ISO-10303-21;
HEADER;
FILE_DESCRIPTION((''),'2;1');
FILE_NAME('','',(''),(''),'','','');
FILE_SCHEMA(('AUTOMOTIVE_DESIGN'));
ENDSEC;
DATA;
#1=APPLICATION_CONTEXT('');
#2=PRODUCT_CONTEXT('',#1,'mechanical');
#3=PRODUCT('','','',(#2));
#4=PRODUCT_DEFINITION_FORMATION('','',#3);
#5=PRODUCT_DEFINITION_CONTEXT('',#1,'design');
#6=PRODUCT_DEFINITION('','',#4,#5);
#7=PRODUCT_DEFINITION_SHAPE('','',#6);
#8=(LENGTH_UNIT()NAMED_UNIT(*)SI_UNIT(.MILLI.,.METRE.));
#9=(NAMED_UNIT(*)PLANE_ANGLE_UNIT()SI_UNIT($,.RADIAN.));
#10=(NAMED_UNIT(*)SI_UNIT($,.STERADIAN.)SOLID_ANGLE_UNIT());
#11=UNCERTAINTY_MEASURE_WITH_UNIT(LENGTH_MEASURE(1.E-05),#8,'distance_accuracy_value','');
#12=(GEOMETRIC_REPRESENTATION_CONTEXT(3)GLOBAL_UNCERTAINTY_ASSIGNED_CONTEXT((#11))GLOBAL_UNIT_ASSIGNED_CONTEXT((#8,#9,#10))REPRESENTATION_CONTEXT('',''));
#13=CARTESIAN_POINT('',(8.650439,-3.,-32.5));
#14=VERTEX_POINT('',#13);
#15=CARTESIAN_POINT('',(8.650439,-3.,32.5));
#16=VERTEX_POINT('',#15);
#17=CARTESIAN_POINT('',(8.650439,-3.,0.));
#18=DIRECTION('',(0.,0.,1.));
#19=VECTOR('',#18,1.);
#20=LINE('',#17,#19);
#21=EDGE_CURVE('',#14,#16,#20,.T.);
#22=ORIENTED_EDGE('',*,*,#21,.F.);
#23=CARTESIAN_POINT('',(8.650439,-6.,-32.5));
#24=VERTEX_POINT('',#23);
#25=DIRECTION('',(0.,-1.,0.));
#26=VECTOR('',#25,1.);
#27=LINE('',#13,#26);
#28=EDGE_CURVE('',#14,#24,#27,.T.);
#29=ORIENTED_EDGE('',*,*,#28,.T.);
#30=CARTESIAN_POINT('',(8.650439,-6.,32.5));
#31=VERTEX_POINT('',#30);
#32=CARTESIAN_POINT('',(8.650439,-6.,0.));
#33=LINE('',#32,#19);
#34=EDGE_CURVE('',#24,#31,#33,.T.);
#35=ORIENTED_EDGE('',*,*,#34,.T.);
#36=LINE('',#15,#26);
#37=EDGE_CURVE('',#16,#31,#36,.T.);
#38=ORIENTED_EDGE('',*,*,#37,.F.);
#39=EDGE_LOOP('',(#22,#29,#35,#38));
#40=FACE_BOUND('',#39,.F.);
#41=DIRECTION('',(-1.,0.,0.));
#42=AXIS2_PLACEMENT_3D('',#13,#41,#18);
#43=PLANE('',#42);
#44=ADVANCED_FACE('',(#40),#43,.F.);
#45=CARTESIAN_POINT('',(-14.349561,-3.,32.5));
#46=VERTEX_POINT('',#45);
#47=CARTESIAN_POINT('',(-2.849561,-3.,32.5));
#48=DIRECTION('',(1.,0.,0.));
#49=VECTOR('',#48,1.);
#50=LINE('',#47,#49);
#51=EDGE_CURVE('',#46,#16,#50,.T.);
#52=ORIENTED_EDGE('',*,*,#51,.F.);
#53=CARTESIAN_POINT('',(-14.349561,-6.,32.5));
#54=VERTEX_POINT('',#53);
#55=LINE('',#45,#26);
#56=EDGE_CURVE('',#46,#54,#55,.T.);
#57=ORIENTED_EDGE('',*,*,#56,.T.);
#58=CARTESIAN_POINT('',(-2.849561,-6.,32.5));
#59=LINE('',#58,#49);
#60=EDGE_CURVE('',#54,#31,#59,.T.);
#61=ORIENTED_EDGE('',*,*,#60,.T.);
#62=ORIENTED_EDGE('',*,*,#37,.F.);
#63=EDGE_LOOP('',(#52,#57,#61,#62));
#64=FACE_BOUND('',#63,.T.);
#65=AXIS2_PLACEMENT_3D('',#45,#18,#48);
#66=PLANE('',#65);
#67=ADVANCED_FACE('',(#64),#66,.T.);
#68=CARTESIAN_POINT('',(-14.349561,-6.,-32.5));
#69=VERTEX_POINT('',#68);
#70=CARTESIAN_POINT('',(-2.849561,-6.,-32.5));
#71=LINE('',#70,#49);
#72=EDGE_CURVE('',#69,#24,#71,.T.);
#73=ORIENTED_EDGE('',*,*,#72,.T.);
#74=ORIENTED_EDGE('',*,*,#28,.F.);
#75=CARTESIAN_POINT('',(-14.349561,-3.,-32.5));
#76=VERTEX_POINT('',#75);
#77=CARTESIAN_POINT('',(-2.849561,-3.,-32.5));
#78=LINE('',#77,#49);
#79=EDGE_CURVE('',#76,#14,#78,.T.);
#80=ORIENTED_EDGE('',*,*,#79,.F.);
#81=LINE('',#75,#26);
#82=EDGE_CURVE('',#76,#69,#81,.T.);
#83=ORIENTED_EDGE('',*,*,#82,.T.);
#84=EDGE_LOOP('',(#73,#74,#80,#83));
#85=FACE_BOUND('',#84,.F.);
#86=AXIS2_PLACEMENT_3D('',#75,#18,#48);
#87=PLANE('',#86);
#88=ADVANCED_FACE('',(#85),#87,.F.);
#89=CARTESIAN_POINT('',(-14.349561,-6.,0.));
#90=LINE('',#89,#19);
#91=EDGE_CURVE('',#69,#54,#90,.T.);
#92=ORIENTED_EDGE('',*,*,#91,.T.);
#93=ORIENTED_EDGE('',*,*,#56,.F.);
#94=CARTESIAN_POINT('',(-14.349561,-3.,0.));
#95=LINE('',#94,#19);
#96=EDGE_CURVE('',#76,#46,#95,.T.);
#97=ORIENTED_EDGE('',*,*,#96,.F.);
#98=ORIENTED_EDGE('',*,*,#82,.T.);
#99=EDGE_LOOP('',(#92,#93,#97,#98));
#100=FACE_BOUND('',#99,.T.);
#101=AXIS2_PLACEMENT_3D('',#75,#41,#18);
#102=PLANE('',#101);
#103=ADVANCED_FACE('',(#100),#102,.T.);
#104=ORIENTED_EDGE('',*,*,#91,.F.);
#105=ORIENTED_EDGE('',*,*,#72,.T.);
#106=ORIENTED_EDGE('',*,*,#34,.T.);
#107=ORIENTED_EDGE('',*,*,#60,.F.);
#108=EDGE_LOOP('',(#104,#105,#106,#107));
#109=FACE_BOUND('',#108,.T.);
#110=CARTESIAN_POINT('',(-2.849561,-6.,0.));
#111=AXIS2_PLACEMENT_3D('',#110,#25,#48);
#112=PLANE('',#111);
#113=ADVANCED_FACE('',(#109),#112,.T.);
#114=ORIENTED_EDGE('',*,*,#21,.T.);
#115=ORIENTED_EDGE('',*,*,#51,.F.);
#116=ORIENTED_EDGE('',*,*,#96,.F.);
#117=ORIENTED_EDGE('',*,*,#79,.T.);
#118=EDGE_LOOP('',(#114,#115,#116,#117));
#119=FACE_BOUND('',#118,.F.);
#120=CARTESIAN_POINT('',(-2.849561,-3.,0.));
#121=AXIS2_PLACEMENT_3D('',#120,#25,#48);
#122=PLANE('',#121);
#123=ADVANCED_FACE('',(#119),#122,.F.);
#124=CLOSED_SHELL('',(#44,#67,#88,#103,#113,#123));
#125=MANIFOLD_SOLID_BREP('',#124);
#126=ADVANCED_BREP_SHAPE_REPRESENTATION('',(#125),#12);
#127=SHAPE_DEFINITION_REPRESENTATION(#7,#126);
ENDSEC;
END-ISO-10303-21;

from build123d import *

# Parameters (mm, degrees)
F0_W      = 23
F0_H      = 17.5
F1_DEPTH  = 3
F2_W      = 23
F2_H      = 65
F3_DEPTH  = 3
F4_R      = 1.8275
F5_DEPTH  = 25
F4_R_2    = 1.5
F1_FACE_W = 23
F1_FACE_H = 65
F1_FACE_R = 1.8275
F6_DEPTH  = 25
F7_DEPTH  = 25


with BuildPart() as f1:
    # F0 (on Front) → F1 (new body)
    with BuildSketch(Plane.XZ):
        Polygon((-41.005974159, 32.5), (-60.6771636009, 32.5), (-60.6771636009, -32.5), (-40.7113991678, -32.5), (-14.3495606634, -32.5), (-14.3495606634, 32.5), align=None)
        Polygon((-14.3495606634, 50), (-41.005974159, 32.5), (-14.3495606634, 32.5), align=None)
        with Locations((-2.8495606634, 41.25)):
            Rectangle(F0_W, F0_H)
        Polygon((-14.3495606634, -32.5), (-40.7113991678, -32.5), (-14.3495606634, -50), align=None)
        Polygon((8.6504393366, 50), (8.6504393366, 32.5), (35.1252928376, 32.5), align=None)
        Polygon((35.1252928376, 32.5), (8.6504393366, 32.5), (8.6504393366, -32.5), (35.1984487024, -32.5), (49.3228363991, -32.5), (49.3228363991, 32.5), align=None)
        with Locations((-2.8495606634, -41.25)):
            Rectangle(F0_W, F0_H)
        Polygon((35.1984487024, -32.5), (8.6504393366, -32.5), (8.6504393366, -50), align=None)
    extrude(amount=F1_DEPTH)

    # F4 (on face) → F5 (cut)
    with BuildSketch(Plane.XZ.offset(3)):
        with Locations((15.1720186695, 41.6146814823)):
            Circle(F4_R)
    extrude(amount=-F5_DEPTH, mode=Mode.SUBTRACT)

    # F4 (on face) + F1_face (on face) → F6 (cut)
    with BuildSketch(Plane.XZ.offset(3)):
        with Locations((-15.8495606634, 41.0366989672)):
            Circle(F4_R_2)
        with Locations((15.1720186695, 41.6146814823)):
            Circle(F4_R)
    with BuildSketch(Plane(origin=(-5.5859827676, -3, 0.0100526631), x_dir=(1, 0, 0), z_dir=(0, -1, 0))):
        Polygon((-8.7635778958, -50.0100526631), (14.2364221042, -50.0100526631), (40.78443147, -32.5100526631), (54.9088191667, -32.5100526631), (54.9088191667, 32.4899473369), (40.7112756052, 32.4899473369), (14.2364221042, 49.9899473369), (-8.7635778958, 49.9899473369), (-35.4199913914, 32.4899473369), (-55.0911808333, 32.4899473369), (-55.0911808333, -32.5100526631), (-35.1254164002, -32.5100526631), align=None)
        with Locations((2.7364221042, -0.0100526631)):
            Rectangle(F1_FACE_W, F1_FACE_H, mode=Mode.SUBTRACT)
        with Locations((20.7580014371, 41.6046288192)):
            Circle(F1_FACE_R, mode=Mode.SUBTRACT)
    extrude(amount=-F6_DEPTH, mode=Mode.SUBTRACT)


with BuildPart() as f3:
    # F2 (on face) → F3 (new body)
    with BuildSketch(Plane.XZ.offset(3)):
        with Locations((-2.8495606634, 0)):
            Rectangle(F2_W, F2_H)
    extrude(amount=F3_DEPTH)

    # F4 (on face) → F7 (cut)
    with BuildSketch(Plane.XZ.offset(3)):
        with Locations((-15.8495606634, 41.0366989672)):
            Circle(F4_R_2)
        with Locations((15.1720186695, 41.6146814823)):
            Circle(F4_R)
    extrude(amount=-F7_DEPTH, mode=Mode.SUBTRACT)


solid = f3.part
